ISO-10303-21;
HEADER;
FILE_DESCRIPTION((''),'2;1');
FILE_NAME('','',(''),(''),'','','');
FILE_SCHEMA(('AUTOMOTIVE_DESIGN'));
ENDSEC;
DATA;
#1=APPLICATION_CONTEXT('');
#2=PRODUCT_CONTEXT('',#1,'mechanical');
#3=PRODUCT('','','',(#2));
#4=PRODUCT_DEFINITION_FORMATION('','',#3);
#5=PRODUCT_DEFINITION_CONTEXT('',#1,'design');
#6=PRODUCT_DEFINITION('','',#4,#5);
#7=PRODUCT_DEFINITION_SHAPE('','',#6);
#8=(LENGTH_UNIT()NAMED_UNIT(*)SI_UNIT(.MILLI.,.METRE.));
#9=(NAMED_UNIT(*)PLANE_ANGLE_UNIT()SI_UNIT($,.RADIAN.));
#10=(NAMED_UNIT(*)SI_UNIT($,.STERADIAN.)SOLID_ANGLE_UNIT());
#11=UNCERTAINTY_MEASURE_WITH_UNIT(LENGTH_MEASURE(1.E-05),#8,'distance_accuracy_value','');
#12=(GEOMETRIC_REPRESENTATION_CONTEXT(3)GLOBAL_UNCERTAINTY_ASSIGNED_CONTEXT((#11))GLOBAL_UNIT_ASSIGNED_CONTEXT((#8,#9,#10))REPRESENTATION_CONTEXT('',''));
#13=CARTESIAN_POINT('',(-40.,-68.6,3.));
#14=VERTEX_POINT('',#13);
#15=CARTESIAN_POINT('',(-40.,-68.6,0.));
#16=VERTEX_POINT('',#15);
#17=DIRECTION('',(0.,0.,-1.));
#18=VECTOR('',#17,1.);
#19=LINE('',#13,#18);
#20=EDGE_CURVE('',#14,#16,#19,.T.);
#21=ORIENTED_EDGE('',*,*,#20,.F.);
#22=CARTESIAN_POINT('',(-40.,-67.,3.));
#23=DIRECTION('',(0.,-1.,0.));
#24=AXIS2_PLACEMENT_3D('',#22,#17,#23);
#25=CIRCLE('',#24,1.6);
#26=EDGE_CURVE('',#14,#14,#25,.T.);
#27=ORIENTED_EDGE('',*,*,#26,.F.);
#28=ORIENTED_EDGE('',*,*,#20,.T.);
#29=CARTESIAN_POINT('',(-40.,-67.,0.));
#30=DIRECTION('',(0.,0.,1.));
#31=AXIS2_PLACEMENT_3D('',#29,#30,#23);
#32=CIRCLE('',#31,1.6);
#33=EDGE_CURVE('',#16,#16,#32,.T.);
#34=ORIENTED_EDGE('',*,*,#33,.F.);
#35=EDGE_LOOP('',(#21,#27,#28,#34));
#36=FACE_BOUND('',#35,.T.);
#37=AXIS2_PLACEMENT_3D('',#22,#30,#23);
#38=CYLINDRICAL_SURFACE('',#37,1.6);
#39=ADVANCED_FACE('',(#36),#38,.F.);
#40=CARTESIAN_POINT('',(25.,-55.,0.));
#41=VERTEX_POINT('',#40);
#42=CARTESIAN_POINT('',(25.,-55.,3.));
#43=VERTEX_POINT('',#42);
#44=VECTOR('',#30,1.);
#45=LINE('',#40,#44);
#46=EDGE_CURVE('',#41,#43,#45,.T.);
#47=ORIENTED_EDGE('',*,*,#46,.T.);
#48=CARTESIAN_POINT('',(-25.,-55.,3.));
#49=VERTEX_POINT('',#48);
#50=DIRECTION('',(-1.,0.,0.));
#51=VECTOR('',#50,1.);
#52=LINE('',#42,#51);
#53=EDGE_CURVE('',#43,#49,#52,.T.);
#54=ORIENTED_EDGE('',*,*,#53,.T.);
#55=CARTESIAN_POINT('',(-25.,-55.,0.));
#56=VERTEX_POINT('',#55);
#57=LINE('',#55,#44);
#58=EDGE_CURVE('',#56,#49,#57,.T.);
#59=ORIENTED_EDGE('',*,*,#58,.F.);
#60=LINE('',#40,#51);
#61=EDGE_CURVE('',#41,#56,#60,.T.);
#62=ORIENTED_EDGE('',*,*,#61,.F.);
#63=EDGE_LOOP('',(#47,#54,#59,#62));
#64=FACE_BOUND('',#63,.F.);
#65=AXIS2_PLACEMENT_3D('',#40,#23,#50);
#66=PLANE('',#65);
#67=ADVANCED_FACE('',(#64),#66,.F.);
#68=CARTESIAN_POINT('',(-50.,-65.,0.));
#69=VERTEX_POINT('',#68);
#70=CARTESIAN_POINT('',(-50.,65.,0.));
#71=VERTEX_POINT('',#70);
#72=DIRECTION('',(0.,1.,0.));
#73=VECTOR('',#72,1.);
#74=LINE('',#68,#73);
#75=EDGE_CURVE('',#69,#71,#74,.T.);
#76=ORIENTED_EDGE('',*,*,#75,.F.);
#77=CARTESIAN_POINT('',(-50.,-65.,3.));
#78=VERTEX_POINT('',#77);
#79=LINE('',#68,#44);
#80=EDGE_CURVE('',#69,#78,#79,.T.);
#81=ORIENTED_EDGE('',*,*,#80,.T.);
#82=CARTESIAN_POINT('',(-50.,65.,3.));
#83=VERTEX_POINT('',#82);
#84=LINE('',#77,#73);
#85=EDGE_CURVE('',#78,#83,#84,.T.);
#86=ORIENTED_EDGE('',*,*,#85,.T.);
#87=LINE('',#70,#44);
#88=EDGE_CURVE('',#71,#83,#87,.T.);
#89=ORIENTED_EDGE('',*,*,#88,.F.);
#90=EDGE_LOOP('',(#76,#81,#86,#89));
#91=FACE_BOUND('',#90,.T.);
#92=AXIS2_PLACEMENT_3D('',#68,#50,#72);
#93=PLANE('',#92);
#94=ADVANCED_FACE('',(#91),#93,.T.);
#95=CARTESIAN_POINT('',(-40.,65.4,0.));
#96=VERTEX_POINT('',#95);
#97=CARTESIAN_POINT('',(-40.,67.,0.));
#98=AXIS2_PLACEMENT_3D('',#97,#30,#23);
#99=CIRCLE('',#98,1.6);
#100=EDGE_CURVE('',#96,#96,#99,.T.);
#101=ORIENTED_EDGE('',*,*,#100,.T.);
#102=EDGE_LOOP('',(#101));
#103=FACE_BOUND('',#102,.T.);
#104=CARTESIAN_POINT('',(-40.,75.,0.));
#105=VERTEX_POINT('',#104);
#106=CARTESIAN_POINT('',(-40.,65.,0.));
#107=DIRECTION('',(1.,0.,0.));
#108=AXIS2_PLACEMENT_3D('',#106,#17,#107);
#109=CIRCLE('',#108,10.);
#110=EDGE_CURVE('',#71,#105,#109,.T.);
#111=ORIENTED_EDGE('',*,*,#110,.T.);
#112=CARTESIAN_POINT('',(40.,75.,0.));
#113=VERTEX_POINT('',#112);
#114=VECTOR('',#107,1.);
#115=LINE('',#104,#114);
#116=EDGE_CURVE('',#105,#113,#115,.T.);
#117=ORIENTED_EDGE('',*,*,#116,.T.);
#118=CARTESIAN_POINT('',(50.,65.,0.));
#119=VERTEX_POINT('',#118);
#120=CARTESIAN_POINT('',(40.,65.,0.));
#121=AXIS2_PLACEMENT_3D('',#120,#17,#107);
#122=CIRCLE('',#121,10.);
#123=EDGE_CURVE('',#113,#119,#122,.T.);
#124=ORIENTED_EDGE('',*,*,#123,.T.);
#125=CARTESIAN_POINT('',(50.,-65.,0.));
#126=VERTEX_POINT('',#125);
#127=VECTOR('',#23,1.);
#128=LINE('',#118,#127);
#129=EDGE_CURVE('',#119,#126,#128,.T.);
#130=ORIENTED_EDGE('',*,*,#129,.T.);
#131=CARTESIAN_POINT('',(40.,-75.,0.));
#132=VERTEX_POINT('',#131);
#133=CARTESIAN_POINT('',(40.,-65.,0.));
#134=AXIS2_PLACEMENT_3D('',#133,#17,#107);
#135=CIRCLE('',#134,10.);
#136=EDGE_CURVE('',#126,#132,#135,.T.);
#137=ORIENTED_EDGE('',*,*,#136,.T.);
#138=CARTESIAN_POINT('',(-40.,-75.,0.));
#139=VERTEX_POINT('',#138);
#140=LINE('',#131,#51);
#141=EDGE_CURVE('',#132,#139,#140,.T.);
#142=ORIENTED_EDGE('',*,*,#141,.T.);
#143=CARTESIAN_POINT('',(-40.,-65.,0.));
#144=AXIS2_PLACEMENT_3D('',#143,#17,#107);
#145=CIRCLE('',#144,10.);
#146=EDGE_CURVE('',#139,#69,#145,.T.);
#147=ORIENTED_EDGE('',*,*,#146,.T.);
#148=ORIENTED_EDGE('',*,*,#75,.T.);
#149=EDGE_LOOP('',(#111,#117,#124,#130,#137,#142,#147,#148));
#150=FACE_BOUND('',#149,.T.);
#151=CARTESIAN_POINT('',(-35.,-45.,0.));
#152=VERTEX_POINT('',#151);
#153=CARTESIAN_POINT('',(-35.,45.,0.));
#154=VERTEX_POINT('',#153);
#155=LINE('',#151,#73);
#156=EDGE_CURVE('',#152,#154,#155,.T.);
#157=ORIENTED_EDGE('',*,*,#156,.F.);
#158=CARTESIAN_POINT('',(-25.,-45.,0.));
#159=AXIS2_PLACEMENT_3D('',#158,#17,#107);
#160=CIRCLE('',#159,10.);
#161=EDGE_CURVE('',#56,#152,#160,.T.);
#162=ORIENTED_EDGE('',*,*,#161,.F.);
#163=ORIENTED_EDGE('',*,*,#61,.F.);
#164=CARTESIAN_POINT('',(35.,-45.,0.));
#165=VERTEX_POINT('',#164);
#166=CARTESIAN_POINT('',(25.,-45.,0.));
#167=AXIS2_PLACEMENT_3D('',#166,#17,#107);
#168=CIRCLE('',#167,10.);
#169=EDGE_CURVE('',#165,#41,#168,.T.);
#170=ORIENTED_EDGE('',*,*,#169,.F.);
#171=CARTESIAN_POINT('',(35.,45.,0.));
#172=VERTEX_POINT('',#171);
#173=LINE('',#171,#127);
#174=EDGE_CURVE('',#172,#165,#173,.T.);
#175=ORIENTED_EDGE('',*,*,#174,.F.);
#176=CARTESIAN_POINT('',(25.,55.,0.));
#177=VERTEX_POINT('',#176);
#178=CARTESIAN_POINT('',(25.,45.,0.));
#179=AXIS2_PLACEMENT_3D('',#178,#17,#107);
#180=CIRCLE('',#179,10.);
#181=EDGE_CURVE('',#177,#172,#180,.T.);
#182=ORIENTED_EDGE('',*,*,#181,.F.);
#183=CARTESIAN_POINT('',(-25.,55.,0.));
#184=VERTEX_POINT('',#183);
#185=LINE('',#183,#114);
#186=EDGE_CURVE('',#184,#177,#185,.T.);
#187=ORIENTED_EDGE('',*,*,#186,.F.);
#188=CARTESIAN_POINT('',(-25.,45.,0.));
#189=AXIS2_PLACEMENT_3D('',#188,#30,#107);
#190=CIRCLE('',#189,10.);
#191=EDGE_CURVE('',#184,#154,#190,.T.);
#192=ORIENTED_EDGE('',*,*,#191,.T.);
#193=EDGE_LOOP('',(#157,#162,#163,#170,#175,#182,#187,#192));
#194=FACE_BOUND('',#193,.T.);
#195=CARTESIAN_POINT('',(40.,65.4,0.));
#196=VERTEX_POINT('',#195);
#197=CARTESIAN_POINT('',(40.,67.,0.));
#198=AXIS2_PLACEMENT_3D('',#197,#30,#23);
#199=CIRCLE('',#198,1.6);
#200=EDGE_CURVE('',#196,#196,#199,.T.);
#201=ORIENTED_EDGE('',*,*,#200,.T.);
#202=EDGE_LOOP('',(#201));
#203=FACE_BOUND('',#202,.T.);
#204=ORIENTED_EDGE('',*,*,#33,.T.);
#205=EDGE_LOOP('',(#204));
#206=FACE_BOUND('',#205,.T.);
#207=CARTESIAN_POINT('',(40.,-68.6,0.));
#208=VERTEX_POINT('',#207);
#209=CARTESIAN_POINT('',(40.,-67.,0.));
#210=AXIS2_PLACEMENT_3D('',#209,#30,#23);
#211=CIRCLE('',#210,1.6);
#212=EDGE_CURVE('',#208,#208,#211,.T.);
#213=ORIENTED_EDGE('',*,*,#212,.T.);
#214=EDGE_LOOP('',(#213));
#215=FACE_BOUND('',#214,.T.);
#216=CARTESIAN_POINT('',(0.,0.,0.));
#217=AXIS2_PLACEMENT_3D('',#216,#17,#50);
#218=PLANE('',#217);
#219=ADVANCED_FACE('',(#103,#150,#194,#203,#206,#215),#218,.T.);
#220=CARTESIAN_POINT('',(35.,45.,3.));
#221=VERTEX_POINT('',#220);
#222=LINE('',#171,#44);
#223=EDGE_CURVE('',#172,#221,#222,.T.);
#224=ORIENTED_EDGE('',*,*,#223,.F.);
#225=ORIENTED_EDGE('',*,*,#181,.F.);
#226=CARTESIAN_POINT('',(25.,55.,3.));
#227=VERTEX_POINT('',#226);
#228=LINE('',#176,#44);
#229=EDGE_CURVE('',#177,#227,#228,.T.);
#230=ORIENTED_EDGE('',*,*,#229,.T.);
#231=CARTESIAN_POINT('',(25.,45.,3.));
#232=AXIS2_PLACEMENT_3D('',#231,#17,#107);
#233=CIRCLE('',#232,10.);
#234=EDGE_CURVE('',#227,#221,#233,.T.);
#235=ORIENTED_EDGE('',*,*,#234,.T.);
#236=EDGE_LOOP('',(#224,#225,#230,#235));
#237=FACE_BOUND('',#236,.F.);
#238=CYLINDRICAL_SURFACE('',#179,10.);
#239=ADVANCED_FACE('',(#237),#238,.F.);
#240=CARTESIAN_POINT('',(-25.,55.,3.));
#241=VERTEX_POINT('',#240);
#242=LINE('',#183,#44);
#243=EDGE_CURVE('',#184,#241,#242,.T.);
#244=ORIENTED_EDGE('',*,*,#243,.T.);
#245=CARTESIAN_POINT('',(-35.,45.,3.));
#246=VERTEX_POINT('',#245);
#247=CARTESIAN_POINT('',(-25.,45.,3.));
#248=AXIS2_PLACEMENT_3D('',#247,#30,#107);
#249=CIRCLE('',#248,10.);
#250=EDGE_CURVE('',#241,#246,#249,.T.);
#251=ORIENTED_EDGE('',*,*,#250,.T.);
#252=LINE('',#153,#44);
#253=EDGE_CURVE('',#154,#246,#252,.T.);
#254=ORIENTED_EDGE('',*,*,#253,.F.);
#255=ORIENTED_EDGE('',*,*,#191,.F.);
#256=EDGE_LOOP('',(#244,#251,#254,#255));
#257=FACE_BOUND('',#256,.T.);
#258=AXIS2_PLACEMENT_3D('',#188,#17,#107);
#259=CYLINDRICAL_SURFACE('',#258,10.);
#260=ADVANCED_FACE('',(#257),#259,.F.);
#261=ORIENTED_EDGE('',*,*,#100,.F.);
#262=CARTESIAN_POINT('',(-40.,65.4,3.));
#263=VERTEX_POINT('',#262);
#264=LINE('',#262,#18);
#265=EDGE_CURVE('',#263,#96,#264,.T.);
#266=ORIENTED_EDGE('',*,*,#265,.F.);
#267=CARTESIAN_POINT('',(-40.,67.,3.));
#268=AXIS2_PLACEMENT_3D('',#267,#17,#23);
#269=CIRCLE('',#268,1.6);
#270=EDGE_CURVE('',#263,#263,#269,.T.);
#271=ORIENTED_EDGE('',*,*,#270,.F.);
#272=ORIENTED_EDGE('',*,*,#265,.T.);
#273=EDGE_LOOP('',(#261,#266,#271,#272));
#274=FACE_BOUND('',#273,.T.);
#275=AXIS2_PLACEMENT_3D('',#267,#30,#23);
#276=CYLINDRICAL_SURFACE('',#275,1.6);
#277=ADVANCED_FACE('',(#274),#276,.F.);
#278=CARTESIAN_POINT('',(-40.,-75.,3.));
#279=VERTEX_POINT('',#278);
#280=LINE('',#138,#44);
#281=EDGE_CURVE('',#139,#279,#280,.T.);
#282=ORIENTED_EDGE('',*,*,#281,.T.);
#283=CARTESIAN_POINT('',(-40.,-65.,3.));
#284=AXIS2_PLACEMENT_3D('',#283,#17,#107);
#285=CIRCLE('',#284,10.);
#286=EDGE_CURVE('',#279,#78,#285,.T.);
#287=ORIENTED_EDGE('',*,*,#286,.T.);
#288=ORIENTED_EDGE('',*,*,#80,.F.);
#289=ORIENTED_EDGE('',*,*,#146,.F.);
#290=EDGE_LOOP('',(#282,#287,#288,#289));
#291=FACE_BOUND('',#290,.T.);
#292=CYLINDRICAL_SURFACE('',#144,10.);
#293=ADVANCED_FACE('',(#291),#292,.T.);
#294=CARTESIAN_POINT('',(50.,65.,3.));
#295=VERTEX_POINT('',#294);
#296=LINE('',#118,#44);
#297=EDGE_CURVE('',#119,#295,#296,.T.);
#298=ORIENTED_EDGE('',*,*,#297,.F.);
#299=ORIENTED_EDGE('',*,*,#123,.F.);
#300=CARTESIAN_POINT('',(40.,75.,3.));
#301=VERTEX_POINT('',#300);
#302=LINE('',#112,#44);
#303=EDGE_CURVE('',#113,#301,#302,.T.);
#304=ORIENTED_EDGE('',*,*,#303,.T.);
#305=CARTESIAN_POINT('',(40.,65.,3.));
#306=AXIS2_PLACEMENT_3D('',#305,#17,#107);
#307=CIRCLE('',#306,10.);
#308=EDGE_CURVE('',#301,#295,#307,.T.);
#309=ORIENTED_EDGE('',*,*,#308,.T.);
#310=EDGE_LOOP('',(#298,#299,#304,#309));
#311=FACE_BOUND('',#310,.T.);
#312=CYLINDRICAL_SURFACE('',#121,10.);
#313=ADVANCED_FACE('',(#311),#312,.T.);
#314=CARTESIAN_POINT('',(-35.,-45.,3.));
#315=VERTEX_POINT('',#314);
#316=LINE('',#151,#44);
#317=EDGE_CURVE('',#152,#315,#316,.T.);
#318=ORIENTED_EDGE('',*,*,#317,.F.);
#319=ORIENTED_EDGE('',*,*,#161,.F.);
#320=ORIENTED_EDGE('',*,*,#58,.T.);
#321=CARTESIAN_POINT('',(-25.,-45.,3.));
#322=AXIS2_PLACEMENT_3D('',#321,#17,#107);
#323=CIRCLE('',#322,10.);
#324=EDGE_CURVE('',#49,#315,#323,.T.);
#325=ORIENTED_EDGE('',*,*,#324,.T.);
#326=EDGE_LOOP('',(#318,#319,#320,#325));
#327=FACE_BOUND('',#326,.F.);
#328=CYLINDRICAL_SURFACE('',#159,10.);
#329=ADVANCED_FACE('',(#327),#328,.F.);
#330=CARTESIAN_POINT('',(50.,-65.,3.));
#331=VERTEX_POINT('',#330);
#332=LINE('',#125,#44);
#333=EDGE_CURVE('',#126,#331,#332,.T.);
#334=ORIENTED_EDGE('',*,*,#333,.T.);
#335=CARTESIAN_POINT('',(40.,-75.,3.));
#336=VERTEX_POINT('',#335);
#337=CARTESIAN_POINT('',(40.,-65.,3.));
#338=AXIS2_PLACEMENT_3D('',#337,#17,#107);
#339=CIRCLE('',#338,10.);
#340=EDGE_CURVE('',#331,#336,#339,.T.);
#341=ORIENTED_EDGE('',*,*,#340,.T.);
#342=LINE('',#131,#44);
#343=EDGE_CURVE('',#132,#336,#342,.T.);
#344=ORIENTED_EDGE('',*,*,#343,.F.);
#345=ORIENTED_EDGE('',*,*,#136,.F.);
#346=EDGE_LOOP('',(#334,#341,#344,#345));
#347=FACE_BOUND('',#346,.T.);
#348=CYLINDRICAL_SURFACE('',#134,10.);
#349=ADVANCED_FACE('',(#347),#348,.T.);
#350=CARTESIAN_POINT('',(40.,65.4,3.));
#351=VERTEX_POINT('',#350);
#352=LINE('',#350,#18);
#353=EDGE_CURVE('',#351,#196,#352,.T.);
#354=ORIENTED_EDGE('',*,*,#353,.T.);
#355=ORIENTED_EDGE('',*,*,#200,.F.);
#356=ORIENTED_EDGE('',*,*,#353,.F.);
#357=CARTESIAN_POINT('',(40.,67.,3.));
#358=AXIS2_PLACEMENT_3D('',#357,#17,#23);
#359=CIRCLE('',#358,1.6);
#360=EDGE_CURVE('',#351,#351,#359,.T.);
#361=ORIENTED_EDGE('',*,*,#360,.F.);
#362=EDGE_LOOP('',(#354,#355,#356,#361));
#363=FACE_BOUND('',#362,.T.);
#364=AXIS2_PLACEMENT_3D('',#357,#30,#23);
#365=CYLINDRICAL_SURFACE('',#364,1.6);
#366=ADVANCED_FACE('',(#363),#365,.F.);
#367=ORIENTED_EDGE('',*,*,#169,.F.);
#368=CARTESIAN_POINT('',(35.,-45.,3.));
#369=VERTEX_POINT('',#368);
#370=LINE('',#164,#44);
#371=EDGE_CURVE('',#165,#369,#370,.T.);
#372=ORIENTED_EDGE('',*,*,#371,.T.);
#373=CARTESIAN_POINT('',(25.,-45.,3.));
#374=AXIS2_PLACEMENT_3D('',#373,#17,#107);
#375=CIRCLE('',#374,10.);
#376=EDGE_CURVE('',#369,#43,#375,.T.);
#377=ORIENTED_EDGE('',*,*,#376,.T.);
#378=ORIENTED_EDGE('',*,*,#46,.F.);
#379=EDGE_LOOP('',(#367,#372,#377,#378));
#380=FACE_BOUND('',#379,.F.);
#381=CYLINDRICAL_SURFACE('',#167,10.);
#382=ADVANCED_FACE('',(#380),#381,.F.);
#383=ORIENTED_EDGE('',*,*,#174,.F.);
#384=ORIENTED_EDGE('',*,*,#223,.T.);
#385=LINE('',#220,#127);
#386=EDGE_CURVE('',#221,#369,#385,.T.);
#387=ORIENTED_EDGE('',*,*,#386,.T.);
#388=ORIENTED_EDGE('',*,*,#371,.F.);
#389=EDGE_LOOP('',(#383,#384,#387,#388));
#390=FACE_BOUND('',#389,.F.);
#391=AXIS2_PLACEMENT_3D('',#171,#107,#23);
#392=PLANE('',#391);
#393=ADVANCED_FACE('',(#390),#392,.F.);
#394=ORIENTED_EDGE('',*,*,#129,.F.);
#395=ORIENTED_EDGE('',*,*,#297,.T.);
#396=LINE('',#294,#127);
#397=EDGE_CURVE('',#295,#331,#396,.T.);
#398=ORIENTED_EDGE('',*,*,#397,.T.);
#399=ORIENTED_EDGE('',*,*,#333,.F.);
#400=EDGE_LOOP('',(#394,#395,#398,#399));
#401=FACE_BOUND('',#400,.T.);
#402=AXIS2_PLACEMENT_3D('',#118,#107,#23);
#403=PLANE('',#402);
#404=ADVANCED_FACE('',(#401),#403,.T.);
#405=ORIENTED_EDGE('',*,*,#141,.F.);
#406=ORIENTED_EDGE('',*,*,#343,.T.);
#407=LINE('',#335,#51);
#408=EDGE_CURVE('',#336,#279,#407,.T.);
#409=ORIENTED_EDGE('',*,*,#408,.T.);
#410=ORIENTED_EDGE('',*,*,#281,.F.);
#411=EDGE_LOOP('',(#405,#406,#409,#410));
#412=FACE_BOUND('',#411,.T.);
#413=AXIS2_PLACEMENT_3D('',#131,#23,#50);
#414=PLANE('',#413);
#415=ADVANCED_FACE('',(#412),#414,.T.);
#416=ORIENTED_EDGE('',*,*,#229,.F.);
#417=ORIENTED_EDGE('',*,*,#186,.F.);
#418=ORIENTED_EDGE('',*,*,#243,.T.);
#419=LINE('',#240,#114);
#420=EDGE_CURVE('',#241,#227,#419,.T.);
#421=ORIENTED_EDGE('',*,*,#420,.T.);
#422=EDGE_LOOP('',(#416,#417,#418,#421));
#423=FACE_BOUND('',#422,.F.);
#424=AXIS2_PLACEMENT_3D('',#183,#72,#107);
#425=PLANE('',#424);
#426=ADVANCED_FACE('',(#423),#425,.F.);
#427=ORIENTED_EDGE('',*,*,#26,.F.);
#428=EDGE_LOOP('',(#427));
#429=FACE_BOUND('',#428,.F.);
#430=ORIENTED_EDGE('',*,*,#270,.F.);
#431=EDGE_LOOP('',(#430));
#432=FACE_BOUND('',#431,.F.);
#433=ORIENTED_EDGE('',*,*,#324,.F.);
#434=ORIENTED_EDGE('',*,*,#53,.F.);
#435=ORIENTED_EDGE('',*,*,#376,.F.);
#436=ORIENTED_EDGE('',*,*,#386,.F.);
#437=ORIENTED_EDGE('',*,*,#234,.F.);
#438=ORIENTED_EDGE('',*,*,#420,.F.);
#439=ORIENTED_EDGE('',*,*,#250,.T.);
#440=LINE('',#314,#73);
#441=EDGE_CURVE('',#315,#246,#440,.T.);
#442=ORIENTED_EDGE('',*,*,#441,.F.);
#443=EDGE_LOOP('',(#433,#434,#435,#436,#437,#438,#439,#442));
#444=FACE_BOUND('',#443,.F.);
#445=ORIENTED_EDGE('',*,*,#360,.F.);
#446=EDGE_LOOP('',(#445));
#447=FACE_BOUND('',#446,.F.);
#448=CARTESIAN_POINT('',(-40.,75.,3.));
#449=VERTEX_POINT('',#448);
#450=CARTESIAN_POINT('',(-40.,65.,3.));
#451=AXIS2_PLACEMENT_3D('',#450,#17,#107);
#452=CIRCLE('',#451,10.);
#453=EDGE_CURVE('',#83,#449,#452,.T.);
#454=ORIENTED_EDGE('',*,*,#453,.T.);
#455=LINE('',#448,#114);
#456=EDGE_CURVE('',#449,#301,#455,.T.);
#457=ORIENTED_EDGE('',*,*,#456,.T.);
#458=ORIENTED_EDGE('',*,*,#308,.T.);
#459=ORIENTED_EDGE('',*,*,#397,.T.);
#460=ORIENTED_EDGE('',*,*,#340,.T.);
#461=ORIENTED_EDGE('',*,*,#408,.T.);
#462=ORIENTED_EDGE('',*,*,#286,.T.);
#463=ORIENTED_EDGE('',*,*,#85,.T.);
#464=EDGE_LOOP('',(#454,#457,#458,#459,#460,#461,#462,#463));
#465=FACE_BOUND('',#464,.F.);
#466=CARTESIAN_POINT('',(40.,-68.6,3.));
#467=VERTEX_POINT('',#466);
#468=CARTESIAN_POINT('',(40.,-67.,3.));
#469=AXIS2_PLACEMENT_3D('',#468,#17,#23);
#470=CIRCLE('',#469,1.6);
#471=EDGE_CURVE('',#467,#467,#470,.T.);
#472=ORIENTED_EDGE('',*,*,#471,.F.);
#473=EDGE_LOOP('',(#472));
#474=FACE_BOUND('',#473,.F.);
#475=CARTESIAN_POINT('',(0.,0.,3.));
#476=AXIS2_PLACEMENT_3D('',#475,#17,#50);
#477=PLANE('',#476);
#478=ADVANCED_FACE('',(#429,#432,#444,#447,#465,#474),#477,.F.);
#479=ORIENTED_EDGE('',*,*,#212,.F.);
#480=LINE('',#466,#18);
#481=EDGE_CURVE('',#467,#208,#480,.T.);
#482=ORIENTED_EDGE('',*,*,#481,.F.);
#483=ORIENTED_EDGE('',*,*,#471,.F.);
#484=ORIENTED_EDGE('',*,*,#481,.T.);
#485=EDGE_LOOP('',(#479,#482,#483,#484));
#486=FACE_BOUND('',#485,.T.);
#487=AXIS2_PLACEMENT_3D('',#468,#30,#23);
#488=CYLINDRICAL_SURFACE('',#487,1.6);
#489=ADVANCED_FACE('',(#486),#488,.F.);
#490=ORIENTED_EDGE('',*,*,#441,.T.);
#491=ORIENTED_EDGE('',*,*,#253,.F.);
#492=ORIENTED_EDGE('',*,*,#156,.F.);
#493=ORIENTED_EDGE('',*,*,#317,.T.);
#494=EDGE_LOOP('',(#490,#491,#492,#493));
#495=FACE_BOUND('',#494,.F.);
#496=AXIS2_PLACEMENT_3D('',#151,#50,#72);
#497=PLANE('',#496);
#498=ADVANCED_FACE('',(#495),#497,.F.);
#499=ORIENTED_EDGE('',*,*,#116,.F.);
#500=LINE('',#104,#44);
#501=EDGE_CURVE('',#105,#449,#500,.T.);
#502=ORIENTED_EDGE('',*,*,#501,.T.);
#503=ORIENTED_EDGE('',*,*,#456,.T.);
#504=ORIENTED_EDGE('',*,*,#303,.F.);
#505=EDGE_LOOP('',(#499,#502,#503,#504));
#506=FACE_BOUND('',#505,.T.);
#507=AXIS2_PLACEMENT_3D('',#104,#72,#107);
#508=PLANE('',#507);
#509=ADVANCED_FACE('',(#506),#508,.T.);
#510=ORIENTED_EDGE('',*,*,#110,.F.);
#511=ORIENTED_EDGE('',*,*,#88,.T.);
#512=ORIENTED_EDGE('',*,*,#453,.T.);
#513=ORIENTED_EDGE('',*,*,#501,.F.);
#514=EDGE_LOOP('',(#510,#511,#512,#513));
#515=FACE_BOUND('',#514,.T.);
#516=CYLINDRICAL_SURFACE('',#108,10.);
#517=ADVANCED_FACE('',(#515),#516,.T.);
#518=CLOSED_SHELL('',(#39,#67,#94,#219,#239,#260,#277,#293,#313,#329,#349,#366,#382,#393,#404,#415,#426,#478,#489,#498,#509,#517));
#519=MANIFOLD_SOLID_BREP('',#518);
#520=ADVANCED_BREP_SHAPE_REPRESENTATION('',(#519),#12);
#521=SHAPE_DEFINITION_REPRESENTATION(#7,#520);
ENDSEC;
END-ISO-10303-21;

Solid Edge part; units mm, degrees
sketch "Sketch1" plane through (0, 0, 0) normal (0, 0, 1) x (1, 0, 0)
  line L0 (50, 65) -> (50, -65)
  arc A0 (50, -65) -> (40, -75) centre (40, -65) cw
  line L1 (40, -75) -> (-40, -75)
  arc A1 (-40, -75) -> (-50, -65) centre (-40, -65) cw
  line L2 (-50, -65) -> (-50, 65)
  arc A2 (-50, 65) -> (-40, 75) centre (-40, 65) cw
  line L3 (-40, 75) -> (40, 75)
  arc A3 (40, 75) -> (50, 65) centre (40, 65) cw
  line L4 (35, 45) -> (35, -45)
  arc A4 (35, -45) -> (25, -55) centre (25, -45) cw
  line L5 (25, -55) -> (-25, -55)
  arc A5 (-25, -55) -> (-35, -45) centre (-25, -45) cw
  line L6 (-35, -45) -> (-35, 45)
  arc A6 (-25, 55) -> (-35, 45) centre (-25, 45) ccw
  line L7 (-25, 55) -> (25, 55)
  arc A7 (25, 55) -> (35, 45) centre (25, 45) cw
  dimension "D1" = 15
  dimension "D2" = 20
  dimension "D3" = 10
  dimension "D4" = 10
  dimension "D5" = 10
  dimension "D6" = 10
  dimension "D7" = 70
  dimension "D8" = 10
  dimension "D9" = 10
  dimension "D10" = 10
  dimension "D11" = 10
  dimension "D12" = 55
  dimension "D13" = 100
  dimension "D14" = 20
  dimension "D15" = 55
  dimension "D16" = 110
extrude "Protrusion1" add sketch "Sketch1" along normal blind 3
hole "Hole_1" at (-40, 67, 3) direction (0, 0, -1) diameter 3.2 end up to next
hole "Hole1" at (40, 67, 3) direction (0, 0, -1) diameter 3.2 end up to next
hole "Hole2" at (40, -67, 3) direction (0, 0, -1) diameter 3.2 end up to next
hole "Hole3" at (-40, -67, 3) direction (0, 0, -1) diameter 3.2 end up to next
properties material "ABS Plastic, medium impact"
